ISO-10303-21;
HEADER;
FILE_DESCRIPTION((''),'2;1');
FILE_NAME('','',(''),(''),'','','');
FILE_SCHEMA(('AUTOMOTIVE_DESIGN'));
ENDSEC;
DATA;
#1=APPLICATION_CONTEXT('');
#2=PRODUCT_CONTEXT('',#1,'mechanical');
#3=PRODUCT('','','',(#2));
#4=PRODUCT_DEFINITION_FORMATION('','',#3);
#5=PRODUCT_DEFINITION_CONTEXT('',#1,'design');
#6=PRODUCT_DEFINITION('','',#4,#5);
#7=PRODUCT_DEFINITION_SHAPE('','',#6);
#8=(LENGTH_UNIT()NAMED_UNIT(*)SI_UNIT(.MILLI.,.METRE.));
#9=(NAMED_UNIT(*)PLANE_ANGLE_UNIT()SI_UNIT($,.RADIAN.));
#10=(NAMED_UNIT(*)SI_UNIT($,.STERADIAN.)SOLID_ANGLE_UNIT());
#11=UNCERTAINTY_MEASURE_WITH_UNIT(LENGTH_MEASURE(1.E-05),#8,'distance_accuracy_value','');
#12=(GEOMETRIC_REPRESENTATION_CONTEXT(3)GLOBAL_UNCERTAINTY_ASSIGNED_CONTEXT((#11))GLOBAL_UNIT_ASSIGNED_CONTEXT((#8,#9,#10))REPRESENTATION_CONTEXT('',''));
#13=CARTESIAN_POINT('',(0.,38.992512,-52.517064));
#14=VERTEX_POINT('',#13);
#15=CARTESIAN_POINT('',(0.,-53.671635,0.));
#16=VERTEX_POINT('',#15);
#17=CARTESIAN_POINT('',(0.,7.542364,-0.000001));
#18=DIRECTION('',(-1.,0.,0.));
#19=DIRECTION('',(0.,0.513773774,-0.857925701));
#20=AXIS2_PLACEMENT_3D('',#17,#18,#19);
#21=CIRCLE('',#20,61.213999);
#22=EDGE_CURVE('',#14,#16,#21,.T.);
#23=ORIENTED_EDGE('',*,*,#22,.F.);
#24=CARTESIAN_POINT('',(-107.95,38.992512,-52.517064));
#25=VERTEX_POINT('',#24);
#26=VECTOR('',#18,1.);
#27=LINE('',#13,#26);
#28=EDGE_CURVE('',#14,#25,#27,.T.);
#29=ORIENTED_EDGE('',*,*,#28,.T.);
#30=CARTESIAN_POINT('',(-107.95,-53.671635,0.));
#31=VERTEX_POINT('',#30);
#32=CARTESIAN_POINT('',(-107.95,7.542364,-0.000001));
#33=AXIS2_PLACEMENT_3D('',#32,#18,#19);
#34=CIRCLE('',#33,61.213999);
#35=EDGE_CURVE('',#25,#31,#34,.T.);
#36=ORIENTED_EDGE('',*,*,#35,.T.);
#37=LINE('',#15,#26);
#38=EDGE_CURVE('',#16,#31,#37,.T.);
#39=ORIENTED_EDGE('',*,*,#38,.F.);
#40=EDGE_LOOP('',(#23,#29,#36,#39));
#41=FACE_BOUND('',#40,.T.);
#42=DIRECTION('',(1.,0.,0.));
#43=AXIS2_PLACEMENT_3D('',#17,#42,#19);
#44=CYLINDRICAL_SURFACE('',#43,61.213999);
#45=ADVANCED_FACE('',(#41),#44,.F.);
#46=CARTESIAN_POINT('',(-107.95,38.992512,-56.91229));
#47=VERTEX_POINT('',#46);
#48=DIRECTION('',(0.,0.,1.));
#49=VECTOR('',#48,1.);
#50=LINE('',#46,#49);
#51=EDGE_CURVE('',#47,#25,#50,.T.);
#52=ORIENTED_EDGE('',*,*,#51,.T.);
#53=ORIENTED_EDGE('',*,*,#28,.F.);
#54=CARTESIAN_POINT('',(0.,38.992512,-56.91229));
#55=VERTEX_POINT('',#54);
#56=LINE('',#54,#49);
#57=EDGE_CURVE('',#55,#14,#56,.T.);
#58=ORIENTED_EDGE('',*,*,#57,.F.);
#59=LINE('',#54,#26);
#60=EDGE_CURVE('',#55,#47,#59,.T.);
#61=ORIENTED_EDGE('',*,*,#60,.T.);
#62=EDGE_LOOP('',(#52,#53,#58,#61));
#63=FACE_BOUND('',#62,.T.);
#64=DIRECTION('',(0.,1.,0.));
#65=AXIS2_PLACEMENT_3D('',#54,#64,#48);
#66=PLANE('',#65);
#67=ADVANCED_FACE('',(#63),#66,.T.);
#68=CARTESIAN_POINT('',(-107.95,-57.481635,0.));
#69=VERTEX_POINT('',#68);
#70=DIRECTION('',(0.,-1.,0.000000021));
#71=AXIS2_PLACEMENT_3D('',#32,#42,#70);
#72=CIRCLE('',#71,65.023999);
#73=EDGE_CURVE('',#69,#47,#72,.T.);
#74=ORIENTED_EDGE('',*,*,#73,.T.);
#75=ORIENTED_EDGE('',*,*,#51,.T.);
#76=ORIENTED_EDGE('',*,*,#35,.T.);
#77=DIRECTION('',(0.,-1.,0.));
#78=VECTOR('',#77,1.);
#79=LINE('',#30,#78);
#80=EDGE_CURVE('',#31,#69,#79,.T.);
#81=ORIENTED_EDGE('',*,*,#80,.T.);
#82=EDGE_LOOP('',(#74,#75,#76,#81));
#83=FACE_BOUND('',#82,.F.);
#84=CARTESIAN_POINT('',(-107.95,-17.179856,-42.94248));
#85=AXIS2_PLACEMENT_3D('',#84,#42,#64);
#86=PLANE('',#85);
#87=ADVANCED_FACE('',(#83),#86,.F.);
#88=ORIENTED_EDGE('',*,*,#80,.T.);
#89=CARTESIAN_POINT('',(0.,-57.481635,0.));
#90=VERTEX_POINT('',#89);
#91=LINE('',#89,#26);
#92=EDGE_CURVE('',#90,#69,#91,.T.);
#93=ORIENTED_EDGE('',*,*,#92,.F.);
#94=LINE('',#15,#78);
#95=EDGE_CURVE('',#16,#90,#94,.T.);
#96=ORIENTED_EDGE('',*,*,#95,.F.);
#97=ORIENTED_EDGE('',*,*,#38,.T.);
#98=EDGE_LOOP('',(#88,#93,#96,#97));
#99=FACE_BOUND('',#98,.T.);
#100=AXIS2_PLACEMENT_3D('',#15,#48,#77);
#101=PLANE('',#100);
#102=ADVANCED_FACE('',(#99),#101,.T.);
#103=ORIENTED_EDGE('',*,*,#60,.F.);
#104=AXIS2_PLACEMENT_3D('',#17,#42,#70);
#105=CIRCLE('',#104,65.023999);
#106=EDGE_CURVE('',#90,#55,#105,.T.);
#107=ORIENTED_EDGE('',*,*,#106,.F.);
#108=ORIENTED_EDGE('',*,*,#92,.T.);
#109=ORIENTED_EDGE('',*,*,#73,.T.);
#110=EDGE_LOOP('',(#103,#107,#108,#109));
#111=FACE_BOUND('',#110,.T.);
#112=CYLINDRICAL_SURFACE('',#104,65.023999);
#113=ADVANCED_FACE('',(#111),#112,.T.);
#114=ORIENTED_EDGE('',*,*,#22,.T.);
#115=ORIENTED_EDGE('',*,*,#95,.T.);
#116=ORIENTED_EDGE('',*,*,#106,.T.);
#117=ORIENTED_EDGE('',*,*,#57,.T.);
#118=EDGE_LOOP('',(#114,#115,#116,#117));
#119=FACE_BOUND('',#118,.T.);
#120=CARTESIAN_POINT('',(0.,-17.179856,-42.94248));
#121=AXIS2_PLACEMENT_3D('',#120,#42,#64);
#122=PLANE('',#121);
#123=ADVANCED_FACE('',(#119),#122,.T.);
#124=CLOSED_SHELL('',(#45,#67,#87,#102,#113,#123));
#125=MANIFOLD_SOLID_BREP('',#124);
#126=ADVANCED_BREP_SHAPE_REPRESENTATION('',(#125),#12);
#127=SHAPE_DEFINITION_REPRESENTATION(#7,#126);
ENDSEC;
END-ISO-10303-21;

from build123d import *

# Parameters (mm, degrees)
F1_DEPTH = 107.95


with BuildPart() as f1:
    # F0 (on Right) → F1 (new body)
    with BuildSketch(Plane.YZ):
        with BuildLine():
            Line((-53.671635, 0), (-57.481635, 0))
            ThreePointArc((-57.481635, 0), (-25.496296, -56.005067), (38.992512, -56.91229))
            Line((38.992512, -56.91229), (38.992512, -52.517064))
            ThreePointArc((38.992512, -52.517064), (-22.640117, -53.255719), (-53.671635, 0))
        make_face()
    extrude(amount=-F1_DEPTH)


solid = f1.part
